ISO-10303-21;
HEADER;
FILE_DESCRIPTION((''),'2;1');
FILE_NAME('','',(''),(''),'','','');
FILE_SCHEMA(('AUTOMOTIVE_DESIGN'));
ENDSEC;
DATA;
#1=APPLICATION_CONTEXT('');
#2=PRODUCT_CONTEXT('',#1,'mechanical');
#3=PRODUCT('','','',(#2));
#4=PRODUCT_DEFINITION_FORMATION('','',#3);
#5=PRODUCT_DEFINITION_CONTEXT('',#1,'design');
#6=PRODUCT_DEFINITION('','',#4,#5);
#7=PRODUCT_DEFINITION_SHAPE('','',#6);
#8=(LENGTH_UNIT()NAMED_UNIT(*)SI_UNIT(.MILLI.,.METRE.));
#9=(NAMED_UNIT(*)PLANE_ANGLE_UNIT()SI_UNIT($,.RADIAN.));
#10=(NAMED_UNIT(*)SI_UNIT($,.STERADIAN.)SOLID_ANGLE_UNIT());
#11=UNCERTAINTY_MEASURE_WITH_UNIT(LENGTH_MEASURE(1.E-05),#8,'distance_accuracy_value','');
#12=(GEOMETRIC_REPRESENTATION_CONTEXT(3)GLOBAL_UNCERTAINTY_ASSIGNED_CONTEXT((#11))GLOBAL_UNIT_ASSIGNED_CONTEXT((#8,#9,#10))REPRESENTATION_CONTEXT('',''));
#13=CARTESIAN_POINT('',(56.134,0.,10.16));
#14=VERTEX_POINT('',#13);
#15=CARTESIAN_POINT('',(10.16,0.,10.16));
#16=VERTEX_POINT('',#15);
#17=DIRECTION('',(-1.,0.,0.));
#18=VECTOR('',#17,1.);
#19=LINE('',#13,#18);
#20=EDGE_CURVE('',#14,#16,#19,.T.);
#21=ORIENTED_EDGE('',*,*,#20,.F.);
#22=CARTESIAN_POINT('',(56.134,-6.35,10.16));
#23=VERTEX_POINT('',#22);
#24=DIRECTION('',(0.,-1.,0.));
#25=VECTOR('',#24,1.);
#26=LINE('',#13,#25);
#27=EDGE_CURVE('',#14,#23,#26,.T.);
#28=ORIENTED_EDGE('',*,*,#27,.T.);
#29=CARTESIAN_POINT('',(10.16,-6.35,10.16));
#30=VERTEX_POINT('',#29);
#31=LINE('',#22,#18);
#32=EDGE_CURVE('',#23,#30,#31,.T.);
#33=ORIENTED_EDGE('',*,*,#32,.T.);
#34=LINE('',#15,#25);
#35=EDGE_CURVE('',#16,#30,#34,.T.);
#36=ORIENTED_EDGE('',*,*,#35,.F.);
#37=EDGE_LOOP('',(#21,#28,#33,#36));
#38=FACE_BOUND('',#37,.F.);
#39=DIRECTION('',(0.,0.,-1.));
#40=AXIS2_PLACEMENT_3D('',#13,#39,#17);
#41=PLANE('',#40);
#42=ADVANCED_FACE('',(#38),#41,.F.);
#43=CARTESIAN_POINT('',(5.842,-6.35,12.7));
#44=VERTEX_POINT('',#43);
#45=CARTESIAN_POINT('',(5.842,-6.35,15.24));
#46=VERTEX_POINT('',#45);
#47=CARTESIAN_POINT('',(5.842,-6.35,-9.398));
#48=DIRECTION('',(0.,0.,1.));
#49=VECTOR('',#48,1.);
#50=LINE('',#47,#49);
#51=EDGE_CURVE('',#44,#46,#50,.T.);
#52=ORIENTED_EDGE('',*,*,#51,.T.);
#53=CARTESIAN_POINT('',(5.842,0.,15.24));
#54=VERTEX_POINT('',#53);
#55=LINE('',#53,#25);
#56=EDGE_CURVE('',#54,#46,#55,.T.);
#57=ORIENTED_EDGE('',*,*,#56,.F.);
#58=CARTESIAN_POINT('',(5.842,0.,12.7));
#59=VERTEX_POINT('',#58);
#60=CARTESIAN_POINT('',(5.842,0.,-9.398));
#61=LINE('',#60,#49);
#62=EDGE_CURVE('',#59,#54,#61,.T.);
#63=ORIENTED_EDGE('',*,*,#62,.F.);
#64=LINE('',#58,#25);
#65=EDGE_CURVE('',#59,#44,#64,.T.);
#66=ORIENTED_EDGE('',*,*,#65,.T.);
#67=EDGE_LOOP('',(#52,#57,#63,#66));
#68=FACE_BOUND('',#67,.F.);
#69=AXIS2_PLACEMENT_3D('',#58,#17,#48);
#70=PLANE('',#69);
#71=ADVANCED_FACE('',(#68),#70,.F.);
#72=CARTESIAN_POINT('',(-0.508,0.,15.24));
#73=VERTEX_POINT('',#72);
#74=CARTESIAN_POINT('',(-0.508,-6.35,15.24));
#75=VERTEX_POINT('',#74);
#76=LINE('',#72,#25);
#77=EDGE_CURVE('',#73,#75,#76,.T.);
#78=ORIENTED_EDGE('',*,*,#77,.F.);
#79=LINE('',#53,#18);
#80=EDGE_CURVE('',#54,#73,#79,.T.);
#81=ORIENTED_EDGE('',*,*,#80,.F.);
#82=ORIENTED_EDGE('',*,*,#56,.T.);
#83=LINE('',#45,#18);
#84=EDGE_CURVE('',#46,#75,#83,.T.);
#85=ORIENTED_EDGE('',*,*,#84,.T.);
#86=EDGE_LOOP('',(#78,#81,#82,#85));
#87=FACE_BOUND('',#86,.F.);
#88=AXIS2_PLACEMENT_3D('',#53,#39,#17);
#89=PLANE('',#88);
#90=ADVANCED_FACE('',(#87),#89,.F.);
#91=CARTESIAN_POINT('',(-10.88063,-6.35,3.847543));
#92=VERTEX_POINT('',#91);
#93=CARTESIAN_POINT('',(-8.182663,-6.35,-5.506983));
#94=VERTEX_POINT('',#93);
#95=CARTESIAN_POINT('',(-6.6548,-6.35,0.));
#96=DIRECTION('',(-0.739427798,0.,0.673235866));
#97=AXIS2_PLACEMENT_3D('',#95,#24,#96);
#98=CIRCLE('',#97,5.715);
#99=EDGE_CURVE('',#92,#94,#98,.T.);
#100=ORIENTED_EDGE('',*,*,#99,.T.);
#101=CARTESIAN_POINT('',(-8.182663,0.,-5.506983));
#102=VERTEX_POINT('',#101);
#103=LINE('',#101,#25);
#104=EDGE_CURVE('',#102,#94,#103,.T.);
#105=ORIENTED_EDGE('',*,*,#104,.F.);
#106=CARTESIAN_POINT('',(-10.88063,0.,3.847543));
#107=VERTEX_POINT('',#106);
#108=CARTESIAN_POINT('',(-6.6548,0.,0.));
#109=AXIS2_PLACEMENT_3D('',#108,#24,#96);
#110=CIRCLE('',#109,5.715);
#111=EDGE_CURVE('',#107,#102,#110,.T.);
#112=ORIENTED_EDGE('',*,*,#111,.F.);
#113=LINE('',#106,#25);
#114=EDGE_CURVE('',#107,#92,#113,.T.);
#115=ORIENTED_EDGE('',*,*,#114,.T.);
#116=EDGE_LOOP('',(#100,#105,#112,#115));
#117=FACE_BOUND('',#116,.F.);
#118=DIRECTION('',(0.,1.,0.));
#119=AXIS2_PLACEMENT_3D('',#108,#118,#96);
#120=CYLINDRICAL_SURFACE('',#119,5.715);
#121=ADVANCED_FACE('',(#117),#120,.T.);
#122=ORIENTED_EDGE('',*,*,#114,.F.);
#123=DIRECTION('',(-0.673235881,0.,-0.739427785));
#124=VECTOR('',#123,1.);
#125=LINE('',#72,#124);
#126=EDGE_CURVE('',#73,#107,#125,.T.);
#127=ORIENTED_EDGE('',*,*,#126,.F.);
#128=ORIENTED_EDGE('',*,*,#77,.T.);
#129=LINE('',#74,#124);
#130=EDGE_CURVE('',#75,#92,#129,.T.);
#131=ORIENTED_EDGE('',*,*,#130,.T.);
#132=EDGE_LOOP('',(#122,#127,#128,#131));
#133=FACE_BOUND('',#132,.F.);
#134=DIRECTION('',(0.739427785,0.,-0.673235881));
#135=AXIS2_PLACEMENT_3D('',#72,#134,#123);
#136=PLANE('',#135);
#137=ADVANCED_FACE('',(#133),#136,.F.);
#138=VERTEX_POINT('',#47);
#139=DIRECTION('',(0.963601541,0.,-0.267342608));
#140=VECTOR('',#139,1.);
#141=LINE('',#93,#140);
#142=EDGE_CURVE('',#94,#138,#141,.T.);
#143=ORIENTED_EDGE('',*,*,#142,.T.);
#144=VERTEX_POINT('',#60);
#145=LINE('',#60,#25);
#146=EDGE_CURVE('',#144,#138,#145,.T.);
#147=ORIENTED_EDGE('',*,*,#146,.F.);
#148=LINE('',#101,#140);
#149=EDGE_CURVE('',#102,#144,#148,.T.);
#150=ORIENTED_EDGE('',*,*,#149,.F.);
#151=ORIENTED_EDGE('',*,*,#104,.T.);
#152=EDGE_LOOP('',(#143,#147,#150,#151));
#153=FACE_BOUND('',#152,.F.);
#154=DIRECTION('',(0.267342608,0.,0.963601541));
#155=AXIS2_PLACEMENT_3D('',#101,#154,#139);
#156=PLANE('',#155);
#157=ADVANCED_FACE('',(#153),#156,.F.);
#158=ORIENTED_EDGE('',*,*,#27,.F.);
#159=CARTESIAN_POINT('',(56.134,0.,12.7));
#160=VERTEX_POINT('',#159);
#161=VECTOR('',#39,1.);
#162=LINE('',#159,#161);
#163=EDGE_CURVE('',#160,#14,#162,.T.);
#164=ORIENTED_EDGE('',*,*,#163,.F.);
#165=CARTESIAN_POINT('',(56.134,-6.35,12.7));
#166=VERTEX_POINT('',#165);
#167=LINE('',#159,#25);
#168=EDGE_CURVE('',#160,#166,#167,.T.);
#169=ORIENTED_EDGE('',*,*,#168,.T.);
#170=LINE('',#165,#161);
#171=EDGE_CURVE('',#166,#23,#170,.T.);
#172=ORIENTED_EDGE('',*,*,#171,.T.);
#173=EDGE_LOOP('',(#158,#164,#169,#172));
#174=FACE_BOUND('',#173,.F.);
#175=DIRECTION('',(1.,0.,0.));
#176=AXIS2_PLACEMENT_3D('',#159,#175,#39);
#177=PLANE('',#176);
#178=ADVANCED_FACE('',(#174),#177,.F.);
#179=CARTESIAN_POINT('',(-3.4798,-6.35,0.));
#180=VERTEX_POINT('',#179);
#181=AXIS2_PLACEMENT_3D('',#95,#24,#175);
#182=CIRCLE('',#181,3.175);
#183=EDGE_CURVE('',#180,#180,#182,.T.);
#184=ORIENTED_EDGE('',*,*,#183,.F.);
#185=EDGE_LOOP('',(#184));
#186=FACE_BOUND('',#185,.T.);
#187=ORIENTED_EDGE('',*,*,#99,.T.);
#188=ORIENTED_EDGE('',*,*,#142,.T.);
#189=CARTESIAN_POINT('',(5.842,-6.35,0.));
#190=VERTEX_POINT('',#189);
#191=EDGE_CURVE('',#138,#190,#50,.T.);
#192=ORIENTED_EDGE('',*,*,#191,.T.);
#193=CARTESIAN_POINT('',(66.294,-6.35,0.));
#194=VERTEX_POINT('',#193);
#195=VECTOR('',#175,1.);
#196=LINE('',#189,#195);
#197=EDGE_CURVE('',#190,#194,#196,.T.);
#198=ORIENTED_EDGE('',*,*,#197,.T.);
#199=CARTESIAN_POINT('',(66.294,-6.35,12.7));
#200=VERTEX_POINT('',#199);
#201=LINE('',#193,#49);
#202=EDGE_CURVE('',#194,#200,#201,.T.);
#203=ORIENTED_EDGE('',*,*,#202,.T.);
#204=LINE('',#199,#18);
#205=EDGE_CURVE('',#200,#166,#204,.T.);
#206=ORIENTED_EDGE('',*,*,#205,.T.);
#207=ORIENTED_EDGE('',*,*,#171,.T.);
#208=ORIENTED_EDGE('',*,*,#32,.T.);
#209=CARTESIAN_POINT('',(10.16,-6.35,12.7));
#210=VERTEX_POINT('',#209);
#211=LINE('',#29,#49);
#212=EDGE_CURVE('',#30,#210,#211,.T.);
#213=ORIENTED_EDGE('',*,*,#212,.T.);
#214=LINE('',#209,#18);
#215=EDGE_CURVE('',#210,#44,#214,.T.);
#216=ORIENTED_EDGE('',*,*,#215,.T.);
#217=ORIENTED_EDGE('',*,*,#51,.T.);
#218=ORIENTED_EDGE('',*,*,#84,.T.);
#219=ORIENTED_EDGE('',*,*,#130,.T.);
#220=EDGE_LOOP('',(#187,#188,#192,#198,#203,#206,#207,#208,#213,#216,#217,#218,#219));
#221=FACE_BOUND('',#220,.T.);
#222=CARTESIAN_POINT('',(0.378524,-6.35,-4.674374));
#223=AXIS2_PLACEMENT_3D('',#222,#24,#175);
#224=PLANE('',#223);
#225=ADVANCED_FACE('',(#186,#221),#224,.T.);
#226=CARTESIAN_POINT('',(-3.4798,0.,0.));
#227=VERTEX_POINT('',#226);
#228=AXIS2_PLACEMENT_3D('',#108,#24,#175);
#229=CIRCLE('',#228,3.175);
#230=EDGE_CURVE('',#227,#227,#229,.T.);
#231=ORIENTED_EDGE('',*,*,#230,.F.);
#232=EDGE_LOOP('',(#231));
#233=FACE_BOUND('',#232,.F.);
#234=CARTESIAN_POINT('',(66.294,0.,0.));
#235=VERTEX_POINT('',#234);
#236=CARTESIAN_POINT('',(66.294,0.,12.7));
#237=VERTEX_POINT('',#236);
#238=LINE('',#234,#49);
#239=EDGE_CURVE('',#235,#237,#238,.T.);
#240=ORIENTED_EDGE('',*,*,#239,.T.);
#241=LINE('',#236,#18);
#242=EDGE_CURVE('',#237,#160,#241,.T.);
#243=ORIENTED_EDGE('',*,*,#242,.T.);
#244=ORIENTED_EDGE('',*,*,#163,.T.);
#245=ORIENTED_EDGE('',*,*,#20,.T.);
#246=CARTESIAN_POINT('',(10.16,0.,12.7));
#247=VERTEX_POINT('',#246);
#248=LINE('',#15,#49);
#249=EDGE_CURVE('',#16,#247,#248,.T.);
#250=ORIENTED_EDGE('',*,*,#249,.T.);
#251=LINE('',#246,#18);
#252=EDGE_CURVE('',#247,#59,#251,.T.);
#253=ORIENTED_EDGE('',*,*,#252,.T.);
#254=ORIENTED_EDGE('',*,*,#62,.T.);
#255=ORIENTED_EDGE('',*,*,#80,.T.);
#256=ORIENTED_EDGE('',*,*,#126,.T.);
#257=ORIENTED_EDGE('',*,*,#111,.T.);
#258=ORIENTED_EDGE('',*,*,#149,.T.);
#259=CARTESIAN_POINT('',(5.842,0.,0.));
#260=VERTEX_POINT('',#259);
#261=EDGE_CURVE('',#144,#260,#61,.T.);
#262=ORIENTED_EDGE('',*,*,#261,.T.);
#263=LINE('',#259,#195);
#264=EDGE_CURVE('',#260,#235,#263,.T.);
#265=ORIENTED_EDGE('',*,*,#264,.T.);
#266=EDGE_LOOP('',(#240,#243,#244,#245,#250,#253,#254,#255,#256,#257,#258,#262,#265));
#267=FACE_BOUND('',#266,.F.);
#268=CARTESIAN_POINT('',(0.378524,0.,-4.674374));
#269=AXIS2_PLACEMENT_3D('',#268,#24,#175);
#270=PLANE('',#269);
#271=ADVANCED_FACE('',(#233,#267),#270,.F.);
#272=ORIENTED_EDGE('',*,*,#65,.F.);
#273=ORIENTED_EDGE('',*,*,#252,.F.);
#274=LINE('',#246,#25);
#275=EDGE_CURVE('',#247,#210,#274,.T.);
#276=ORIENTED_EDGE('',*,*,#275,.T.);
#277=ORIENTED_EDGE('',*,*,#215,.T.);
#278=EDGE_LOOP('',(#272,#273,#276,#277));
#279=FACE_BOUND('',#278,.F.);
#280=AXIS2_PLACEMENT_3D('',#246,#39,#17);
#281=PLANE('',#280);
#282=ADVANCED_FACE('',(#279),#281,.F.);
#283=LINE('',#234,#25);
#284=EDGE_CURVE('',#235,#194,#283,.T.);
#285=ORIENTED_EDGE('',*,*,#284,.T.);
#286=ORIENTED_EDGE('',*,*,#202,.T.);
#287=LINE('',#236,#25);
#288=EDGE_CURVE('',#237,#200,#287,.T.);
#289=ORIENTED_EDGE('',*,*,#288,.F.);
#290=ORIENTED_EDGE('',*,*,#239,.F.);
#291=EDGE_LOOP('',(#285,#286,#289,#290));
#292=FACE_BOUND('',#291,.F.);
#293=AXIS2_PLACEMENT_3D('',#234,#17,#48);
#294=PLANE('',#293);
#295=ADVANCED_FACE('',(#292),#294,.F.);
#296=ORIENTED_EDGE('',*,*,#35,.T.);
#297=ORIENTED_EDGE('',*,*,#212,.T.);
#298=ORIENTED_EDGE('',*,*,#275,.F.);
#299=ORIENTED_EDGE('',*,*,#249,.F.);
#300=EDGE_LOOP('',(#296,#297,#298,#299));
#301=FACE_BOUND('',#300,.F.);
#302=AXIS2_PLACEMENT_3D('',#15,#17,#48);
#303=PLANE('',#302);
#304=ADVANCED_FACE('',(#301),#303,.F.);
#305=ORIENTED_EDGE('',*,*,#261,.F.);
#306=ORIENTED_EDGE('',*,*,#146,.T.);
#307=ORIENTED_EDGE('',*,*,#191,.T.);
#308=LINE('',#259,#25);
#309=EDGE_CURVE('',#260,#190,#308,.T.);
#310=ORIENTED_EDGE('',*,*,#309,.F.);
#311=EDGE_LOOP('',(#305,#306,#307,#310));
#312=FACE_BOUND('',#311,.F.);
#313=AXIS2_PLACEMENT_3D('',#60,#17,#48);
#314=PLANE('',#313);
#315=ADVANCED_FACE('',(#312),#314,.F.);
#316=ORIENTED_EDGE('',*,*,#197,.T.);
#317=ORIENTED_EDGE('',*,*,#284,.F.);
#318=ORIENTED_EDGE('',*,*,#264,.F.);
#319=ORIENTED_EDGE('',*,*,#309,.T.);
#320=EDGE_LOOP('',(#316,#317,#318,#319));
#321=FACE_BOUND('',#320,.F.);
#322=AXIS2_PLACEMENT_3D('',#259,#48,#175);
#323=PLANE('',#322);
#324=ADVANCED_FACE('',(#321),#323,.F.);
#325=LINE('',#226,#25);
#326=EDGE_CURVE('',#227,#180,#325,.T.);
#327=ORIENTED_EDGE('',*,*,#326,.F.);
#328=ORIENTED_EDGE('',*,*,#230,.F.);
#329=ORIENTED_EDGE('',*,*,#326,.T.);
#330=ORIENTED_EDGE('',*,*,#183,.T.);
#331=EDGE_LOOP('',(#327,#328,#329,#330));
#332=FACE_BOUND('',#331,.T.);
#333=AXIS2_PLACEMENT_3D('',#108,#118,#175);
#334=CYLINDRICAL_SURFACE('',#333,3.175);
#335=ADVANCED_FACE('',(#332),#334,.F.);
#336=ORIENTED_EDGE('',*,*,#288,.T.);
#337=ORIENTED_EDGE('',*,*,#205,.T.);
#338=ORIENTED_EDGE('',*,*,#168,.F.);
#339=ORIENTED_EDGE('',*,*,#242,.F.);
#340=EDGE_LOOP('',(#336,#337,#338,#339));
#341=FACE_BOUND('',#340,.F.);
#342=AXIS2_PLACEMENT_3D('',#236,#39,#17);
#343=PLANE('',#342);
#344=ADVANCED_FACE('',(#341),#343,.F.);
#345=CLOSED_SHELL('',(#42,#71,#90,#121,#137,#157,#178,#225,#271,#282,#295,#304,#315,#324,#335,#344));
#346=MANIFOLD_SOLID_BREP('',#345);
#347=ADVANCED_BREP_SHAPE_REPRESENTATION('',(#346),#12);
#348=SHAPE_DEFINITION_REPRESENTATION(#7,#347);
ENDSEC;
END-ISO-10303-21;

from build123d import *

# Parameters (mm, degrees)
F0_R     = 3.175
F0_W     = 5.842
F0_H     = 12.7
F1_DEPTH = 6.35


with BuildPart() as f1:
    # F0 (on Front) → F1 (new body)
    with BuildSketch(Plane.XZ):
        with BuildLine():
            Line((5.842, 0), (0, 0))
            Line((0, 0), (-0.9398, 0))
            ThreePointArc((-0.9398, 0), (-3.195791, -4.549339), (-8.182663, -5.506983))
            Line((-8.182663, -5.506983), (5.842, -9.398))
            Line((5.842, -9.398), (5.842, 0))
        make_face()
        with BuildLine():
            ThreePointArc((-8.182663, -5.506983), (-3.195791, -4.549339), (-0.9398, 0))
            ThreePointArc((-0.9398, 0), (-4.591961, 5.329721), (-10.88063, 3.847543))
            ThreePointArc((-10.88063, 3.847543), (-12.145978, -1.583727), (-8.182663, -5.506983))
        make_face()
        with Locations((-6.6548, 0)):
            Circle(F0_R, mode=Mode.SUBTRACT)
        with BuildLine():
            Line((-0.9398, 0), (0, 0))
            Line((0, 0), (0, 12.7))
            Line((0, 12.7), (5.842, 12.7))
            Line((5.842, 12.7), (5.842, 15.24))
            Line((5.842, 15.24), (-0.508, 15.24))
            Line((-0.508, 15.24), (-10.88063, 3.847543))
            ThreePointArc((-10.88063, 3.847543), (-4.591961, 5.329721), (-0.9398, 0))
        make_face()
        with Locations((2.921, 6.35)):
            Rectangle(F0_W, F0_H)
        Polygon((5.842, 12.7), (5.842, 0), (66.294, 0), (66.294, 12.7), (56.134, 12.7), (56.134, 10.16), (10.16, 10.16), (10.16, 12.7), align=None)
    extrude(amount=F1_DEPTH)


solid = f1.part
